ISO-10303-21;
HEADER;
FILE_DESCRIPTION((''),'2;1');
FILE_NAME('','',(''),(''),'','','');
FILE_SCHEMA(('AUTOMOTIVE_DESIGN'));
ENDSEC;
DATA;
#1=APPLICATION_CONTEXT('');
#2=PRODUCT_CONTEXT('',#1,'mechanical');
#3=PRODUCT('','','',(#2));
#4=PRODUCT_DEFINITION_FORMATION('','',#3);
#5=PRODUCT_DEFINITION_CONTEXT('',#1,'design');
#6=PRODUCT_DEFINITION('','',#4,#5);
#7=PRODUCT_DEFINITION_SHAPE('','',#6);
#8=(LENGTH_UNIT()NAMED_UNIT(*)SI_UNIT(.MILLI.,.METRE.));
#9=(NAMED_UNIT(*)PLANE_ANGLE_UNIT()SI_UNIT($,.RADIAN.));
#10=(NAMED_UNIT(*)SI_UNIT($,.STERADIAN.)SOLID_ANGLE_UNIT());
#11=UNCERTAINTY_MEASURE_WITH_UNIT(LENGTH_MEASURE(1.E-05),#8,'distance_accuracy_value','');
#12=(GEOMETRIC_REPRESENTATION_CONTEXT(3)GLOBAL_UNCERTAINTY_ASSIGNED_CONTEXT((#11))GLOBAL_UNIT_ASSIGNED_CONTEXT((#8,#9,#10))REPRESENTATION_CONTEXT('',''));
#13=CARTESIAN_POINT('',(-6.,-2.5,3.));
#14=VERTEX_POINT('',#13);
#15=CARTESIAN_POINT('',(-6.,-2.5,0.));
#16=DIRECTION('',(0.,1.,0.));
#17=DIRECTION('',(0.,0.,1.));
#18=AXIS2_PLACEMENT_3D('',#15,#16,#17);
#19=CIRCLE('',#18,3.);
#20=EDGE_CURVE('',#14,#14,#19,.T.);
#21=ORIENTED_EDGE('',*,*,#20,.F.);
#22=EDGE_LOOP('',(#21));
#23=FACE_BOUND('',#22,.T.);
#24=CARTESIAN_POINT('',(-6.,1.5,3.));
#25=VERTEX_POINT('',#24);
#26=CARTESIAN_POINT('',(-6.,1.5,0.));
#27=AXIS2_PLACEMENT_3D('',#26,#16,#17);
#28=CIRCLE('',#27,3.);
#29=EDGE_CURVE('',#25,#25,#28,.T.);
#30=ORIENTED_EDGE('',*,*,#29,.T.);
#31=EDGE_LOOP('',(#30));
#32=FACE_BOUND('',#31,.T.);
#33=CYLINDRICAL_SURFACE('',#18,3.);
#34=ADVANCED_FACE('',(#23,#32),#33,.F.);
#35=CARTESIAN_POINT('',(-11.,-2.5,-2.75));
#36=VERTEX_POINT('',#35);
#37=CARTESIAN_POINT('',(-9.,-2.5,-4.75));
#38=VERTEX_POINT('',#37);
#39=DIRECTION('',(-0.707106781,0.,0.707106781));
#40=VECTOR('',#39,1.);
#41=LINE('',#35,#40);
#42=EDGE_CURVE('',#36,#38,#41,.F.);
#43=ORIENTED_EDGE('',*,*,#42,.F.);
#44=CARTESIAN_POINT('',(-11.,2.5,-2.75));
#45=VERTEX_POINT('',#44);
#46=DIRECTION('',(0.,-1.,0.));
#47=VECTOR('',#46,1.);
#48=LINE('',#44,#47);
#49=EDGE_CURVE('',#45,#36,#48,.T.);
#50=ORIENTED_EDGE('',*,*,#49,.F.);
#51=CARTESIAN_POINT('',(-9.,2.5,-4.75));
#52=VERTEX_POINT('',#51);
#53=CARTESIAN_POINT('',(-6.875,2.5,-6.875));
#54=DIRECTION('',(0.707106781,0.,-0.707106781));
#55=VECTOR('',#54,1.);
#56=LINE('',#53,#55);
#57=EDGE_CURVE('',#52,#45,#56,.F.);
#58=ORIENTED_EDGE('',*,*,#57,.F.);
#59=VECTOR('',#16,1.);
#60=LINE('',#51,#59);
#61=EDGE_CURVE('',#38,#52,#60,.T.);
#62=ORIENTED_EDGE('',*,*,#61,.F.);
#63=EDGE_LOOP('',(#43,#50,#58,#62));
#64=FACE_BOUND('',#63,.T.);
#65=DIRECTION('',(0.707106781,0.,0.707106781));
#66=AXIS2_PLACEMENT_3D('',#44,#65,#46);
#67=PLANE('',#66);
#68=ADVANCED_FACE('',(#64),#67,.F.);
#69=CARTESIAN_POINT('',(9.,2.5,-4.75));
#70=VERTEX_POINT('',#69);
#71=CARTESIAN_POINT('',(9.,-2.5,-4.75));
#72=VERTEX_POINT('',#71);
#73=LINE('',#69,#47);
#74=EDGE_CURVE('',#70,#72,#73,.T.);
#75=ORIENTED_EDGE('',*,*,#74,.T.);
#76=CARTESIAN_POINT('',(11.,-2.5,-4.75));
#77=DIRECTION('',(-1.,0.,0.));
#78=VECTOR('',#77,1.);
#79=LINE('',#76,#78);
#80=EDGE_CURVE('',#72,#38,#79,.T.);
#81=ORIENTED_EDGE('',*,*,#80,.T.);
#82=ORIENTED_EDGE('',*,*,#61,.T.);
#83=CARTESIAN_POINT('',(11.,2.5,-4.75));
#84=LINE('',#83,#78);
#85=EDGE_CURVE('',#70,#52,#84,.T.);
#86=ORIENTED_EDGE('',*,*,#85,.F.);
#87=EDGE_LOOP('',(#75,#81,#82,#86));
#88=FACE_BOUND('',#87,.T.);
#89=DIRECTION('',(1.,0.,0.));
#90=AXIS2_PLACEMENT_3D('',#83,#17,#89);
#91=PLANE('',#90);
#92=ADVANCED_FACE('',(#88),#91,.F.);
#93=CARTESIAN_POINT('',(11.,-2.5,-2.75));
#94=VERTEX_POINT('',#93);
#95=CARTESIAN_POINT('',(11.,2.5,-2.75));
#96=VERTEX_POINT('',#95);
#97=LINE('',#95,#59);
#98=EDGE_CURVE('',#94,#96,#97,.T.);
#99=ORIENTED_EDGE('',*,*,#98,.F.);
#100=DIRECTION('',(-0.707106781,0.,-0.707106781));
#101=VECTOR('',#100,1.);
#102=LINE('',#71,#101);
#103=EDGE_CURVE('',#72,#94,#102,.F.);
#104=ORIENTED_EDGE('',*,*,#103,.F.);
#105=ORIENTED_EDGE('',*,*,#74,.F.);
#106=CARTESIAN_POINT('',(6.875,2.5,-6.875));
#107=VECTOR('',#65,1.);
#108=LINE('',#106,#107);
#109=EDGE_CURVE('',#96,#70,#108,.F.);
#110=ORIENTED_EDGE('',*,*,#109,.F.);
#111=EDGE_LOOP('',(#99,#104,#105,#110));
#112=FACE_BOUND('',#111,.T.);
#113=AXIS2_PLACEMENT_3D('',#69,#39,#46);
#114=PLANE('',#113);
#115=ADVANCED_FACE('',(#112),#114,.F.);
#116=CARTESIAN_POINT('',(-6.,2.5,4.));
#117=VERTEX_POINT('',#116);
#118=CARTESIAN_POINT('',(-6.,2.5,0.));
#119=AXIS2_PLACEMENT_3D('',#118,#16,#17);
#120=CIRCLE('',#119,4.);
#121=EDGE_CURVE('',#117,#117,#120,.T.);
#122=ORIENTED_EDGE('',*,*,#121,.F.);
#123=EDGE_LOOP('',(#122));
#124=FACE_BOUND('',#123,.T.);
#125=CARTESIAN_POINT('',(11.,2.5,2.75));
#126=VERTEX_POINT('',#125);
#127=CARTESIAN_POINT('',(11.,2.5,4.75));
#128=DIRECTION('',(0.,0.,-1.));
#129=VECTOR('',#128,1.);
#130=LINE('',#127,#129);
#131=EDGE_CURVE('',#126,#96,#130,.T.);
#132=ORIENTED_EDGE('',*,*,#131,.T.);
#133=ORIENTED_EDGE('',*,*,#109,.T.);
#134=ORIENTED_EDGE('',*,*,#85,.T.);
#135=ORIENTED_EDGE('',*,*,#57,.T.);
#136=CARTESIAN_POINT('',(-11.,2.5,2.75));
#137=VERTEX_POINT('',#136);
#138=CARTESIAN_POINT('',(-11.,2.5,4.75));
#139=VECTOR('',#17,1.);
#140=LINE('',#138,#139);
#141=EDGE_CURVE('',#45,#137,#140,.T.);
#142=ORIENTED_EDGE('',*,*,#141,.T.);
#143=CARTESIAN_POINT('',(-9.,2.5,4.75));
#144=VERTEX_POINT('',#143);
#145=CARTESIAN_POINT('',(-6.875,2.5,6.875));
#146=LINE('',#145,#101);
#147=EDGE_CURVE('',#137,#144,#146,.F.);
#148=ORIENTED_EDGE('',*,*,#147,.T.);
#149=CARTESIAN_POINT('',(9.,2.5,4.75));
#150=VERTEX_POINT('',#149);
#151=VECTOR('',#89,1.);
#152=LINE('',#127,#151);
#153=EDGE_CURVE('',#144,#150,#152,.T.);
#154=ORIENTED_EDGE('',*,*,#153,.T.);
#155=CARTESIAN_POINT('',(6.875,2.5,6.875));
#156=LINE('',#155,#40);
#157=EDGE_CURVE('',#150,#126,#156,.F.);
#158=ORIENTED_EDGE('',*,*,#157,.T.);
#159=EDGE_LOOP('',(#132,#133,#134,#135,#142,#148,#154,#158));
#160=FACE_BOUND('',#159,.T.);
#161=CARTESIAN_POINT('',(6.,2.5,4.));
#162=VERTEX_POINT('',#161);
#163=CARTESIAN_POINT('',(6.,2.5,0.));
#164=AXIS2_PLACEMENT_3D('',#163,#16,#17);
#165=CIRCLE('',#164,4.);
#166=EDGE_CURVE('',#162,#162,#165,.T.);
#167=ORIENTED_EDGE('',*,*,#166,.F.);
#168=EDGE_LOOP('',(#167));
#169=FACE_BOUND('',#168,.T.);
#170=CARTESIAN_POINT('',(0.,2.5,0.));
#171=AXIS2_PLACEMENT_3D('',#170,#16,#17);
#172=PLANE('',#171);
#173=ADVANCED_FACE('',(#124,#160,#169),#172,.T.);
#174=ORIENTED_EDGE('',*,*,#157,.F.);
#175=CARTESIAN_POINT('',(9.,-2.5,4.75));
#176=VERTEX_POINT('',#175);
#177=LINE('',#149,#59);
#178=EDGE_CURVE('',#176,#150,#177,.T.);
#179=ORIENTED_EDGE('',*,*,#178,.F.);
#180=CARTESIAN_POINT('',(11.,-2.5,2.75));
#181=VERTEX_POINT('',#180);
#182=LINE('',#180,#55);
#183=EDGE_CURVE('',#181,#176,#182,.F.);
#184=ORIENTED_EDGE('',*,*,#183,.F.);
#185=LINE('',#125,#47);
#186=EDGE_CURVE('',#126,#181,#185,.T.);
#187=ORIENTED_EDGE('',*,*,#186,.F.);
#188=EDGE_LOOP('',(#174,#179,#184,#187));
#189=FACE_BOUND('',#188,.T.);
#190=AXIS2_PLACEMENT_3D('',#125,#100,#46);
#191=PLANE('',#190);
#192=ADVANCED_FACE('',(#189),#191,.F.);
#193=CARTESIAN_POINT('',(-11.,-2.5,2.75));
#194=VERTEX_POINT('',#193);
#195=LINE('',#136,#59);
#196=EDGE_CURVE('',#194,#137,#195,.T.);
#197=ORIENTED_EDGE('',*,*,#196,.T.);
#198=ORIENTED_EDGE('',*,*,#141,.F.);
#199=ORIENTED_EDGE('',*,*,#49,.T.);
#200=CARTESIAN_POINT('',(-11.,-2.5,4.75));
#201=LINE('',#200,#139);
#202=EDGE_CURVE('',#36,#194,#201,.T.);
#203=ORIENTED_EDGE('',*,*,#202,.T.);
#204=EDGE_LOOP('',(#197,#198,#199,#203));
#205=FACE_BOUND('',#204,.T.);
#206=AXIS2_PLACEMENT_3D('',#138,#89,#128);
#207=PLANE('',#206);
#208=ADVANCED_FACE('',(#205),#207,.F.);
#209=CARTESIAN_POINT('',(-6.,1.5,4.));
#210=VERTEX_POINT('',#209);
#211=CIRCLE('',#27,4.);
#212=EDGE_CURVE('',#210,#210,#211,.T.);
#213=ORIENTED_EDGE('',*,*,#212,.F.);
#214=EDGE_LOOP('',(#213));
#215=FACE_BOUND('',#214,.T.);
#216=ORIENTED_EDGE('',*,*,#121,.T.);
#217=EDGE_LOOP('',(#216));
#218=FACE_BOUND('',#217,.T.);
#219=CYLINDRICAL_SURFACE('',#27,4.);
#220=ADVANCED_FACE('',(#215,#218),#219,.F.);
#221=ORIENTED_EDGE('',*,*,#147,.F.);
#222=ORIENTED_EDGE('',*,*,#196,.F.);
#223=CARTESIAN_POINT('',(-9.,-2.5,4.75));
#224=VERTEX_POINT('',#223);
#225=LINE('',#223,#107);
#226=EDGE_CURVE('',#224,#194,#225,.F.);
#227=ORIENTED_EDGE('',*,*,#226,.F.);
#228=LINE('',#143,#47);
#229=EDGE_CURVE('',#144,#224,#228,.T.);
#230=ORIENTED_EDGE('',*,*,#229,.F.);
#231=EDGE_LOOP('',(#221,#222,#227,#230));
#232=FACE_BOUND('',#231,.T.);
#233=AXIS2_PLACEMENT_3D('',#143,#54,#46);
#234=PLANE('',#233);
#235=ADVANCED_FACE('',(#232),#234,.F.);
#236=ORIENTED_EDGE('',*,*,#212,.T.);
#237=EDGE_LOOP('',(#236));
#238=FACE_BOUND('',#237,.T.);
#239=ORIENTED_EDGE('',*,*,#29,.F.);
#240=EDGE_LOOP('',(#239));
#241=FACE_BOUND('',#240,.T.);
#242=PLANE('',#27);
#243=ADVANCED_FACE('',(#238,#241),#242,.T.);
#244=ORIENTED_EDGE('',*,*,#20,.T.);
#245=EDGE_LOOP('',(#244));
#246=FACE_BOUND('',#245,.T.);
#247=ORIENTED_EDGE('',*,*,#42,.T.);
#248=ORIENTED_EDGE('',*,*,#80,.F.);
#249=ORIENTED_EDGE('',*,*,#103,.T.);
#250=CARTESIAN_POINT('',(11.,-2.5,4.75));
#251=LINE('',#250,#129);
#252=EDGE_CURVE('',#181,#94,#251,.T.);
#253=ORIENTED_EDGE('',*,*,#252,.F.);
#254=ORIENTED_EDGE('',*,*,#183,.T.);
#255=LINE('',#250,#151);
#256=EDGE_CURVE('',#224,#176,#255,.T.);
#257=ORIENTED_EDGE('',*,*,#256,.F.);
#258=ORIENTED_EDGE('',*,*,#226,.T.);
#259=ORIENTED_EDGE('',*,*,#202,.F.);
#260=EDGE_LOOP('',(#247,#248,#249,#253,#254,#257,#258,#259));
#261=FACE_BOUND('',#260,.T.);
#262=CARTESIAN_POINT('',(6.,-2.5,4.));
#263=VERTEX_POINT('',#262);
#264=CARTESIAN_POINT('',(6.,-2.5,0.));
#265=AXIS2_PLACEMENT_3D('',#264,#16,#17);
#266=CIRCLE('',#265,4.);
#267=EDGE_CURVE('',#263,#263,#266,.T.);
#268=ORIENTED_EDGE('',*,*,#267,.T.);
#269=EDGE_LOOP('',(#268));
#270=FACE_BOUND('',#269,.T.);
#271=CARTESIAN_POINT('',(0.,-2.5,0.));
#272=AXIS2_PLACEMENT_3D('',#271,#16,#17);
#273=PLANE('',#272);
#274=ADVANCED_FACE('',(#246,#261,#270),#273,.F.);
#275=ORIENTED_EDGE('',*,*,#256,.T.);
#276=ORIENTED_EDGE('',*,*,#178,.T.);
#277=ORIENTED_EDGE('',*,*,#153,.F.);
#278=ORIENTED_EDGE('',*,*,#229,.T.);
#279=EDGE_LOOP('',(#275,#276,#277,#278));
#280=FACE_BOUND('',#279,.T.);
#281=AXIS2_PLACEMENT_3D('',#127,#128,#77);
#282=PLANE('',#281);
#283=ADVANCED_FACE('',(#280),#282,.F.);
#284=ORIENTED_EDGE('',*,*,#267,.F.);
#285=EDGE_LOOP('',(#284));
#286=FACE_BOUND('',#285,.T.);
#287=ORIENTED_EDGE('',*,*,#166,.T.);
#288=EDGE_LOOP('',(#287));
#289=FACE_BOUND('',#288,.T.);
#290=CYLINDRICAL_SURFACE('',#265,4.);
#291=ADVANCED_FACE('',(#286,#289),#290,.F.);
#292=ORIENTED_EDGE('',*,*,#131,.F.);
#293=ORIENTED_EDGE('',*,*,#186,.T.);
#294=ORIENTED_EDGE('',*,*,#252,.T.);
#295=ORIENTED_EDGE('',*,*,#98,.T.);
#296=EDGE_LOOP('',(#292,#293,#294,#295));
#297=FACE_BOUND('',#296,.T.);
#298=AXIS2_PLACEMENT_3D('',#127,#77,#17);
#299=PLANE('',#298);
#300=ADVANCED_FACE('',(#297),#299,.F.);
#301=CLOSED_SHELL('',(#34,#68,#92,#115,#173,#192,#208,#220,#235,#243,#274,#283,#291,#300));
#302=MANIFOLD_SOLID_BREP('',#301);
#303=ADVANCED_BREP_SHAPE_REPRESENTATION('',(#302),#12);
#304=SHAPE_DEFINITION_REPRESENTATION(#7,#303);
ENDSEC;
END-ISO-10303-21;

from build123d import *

# Parameters (mm, degrees)
SKETCH_1_W          = 22
SKETCH_1_H          = 9.5
EXTRUDE_1_DEPTH     = 2.5
SKETCH_2_R          = 4
CUT_EXTRUDE_1_DEPTH = 13.983162173
SKETCH_3_R          = 4
CUT_EXTRUDE_2_DEPTH = 1
SKETCH_4_R          = 3
CUT_EXTRUDE_3_DEPTH = 13.631805097
CHAMFER_1_SIZE      = 2


with BuildPart() as part:
    # 草图1 → 凸台-拉伸1 (new, symmetric)
    with BuildSketch(Plane(origin=(0, 0, 0), x_dir=(1, 0, 0), z_dir=(0, 1, 0))):
        Rectangle(SKETCH_1_W, SKETCH_1_H)
    extrude(amount=EXTRUDE_1_DEPTH, both=True)

    # 草图2 → 切除-拉伸1 (cut, through all)
    with BuildSketch(Plane(origin=(0, 2.5, 0), x_dir=(1, 0, 0), z_dir=(0, 1, 0))):
        with Locations(Location((6, 0, 0), (0, 0, 270))):
            Circle(SKETCH_2_R)
    extrude(amount=-CUT_EXTRUDE_1_DEPTH, mode=Mode.SUBTRACT)

    # 草图3 → 切除-拉伸2 (cut)
    with BuildSketch(Plane(origin=(0, 2.5, 0), x_dir=(1, 0, 0), z_dir=(0, 1, 0))):
        with Locations(Location((-6, 0, 0), (0, 0, 270))):
            Circle(SKETCH_3_R)
    extrude(amount=-CUT_EXTRUDE_2_DEPTH, mode=Mode.SUBTRACT)

    # 草图4 → 切除-拉伸3 (cut, through all)
    with BuildSketch(Plane(origin=(0, 1.5, 0), x_dir=(1, 0, 0), z_dir=(0, 1, 0))):
        with Locations(Location((-6, 0, 0), (0, 0, 270))):
            Circle(SKETCH_4_R)
    extrude(amount=-CUT_EXTRUDE_3_DEPTH, mode=Mode.SUBTRACT)

    # 倒角1
    chamfer_1_edges = [part.edges().sort_by_distance(p)[0] for p in [
        (-11, 0, -4.75),
        (11, 0, -4.75),
        (11, 0, 4.75),
        (-11, 0, 4.75),
    ]]
    chamfer(chamfer_1_edges, length=CHAMFER_1_SIZE)


solid = part.part
